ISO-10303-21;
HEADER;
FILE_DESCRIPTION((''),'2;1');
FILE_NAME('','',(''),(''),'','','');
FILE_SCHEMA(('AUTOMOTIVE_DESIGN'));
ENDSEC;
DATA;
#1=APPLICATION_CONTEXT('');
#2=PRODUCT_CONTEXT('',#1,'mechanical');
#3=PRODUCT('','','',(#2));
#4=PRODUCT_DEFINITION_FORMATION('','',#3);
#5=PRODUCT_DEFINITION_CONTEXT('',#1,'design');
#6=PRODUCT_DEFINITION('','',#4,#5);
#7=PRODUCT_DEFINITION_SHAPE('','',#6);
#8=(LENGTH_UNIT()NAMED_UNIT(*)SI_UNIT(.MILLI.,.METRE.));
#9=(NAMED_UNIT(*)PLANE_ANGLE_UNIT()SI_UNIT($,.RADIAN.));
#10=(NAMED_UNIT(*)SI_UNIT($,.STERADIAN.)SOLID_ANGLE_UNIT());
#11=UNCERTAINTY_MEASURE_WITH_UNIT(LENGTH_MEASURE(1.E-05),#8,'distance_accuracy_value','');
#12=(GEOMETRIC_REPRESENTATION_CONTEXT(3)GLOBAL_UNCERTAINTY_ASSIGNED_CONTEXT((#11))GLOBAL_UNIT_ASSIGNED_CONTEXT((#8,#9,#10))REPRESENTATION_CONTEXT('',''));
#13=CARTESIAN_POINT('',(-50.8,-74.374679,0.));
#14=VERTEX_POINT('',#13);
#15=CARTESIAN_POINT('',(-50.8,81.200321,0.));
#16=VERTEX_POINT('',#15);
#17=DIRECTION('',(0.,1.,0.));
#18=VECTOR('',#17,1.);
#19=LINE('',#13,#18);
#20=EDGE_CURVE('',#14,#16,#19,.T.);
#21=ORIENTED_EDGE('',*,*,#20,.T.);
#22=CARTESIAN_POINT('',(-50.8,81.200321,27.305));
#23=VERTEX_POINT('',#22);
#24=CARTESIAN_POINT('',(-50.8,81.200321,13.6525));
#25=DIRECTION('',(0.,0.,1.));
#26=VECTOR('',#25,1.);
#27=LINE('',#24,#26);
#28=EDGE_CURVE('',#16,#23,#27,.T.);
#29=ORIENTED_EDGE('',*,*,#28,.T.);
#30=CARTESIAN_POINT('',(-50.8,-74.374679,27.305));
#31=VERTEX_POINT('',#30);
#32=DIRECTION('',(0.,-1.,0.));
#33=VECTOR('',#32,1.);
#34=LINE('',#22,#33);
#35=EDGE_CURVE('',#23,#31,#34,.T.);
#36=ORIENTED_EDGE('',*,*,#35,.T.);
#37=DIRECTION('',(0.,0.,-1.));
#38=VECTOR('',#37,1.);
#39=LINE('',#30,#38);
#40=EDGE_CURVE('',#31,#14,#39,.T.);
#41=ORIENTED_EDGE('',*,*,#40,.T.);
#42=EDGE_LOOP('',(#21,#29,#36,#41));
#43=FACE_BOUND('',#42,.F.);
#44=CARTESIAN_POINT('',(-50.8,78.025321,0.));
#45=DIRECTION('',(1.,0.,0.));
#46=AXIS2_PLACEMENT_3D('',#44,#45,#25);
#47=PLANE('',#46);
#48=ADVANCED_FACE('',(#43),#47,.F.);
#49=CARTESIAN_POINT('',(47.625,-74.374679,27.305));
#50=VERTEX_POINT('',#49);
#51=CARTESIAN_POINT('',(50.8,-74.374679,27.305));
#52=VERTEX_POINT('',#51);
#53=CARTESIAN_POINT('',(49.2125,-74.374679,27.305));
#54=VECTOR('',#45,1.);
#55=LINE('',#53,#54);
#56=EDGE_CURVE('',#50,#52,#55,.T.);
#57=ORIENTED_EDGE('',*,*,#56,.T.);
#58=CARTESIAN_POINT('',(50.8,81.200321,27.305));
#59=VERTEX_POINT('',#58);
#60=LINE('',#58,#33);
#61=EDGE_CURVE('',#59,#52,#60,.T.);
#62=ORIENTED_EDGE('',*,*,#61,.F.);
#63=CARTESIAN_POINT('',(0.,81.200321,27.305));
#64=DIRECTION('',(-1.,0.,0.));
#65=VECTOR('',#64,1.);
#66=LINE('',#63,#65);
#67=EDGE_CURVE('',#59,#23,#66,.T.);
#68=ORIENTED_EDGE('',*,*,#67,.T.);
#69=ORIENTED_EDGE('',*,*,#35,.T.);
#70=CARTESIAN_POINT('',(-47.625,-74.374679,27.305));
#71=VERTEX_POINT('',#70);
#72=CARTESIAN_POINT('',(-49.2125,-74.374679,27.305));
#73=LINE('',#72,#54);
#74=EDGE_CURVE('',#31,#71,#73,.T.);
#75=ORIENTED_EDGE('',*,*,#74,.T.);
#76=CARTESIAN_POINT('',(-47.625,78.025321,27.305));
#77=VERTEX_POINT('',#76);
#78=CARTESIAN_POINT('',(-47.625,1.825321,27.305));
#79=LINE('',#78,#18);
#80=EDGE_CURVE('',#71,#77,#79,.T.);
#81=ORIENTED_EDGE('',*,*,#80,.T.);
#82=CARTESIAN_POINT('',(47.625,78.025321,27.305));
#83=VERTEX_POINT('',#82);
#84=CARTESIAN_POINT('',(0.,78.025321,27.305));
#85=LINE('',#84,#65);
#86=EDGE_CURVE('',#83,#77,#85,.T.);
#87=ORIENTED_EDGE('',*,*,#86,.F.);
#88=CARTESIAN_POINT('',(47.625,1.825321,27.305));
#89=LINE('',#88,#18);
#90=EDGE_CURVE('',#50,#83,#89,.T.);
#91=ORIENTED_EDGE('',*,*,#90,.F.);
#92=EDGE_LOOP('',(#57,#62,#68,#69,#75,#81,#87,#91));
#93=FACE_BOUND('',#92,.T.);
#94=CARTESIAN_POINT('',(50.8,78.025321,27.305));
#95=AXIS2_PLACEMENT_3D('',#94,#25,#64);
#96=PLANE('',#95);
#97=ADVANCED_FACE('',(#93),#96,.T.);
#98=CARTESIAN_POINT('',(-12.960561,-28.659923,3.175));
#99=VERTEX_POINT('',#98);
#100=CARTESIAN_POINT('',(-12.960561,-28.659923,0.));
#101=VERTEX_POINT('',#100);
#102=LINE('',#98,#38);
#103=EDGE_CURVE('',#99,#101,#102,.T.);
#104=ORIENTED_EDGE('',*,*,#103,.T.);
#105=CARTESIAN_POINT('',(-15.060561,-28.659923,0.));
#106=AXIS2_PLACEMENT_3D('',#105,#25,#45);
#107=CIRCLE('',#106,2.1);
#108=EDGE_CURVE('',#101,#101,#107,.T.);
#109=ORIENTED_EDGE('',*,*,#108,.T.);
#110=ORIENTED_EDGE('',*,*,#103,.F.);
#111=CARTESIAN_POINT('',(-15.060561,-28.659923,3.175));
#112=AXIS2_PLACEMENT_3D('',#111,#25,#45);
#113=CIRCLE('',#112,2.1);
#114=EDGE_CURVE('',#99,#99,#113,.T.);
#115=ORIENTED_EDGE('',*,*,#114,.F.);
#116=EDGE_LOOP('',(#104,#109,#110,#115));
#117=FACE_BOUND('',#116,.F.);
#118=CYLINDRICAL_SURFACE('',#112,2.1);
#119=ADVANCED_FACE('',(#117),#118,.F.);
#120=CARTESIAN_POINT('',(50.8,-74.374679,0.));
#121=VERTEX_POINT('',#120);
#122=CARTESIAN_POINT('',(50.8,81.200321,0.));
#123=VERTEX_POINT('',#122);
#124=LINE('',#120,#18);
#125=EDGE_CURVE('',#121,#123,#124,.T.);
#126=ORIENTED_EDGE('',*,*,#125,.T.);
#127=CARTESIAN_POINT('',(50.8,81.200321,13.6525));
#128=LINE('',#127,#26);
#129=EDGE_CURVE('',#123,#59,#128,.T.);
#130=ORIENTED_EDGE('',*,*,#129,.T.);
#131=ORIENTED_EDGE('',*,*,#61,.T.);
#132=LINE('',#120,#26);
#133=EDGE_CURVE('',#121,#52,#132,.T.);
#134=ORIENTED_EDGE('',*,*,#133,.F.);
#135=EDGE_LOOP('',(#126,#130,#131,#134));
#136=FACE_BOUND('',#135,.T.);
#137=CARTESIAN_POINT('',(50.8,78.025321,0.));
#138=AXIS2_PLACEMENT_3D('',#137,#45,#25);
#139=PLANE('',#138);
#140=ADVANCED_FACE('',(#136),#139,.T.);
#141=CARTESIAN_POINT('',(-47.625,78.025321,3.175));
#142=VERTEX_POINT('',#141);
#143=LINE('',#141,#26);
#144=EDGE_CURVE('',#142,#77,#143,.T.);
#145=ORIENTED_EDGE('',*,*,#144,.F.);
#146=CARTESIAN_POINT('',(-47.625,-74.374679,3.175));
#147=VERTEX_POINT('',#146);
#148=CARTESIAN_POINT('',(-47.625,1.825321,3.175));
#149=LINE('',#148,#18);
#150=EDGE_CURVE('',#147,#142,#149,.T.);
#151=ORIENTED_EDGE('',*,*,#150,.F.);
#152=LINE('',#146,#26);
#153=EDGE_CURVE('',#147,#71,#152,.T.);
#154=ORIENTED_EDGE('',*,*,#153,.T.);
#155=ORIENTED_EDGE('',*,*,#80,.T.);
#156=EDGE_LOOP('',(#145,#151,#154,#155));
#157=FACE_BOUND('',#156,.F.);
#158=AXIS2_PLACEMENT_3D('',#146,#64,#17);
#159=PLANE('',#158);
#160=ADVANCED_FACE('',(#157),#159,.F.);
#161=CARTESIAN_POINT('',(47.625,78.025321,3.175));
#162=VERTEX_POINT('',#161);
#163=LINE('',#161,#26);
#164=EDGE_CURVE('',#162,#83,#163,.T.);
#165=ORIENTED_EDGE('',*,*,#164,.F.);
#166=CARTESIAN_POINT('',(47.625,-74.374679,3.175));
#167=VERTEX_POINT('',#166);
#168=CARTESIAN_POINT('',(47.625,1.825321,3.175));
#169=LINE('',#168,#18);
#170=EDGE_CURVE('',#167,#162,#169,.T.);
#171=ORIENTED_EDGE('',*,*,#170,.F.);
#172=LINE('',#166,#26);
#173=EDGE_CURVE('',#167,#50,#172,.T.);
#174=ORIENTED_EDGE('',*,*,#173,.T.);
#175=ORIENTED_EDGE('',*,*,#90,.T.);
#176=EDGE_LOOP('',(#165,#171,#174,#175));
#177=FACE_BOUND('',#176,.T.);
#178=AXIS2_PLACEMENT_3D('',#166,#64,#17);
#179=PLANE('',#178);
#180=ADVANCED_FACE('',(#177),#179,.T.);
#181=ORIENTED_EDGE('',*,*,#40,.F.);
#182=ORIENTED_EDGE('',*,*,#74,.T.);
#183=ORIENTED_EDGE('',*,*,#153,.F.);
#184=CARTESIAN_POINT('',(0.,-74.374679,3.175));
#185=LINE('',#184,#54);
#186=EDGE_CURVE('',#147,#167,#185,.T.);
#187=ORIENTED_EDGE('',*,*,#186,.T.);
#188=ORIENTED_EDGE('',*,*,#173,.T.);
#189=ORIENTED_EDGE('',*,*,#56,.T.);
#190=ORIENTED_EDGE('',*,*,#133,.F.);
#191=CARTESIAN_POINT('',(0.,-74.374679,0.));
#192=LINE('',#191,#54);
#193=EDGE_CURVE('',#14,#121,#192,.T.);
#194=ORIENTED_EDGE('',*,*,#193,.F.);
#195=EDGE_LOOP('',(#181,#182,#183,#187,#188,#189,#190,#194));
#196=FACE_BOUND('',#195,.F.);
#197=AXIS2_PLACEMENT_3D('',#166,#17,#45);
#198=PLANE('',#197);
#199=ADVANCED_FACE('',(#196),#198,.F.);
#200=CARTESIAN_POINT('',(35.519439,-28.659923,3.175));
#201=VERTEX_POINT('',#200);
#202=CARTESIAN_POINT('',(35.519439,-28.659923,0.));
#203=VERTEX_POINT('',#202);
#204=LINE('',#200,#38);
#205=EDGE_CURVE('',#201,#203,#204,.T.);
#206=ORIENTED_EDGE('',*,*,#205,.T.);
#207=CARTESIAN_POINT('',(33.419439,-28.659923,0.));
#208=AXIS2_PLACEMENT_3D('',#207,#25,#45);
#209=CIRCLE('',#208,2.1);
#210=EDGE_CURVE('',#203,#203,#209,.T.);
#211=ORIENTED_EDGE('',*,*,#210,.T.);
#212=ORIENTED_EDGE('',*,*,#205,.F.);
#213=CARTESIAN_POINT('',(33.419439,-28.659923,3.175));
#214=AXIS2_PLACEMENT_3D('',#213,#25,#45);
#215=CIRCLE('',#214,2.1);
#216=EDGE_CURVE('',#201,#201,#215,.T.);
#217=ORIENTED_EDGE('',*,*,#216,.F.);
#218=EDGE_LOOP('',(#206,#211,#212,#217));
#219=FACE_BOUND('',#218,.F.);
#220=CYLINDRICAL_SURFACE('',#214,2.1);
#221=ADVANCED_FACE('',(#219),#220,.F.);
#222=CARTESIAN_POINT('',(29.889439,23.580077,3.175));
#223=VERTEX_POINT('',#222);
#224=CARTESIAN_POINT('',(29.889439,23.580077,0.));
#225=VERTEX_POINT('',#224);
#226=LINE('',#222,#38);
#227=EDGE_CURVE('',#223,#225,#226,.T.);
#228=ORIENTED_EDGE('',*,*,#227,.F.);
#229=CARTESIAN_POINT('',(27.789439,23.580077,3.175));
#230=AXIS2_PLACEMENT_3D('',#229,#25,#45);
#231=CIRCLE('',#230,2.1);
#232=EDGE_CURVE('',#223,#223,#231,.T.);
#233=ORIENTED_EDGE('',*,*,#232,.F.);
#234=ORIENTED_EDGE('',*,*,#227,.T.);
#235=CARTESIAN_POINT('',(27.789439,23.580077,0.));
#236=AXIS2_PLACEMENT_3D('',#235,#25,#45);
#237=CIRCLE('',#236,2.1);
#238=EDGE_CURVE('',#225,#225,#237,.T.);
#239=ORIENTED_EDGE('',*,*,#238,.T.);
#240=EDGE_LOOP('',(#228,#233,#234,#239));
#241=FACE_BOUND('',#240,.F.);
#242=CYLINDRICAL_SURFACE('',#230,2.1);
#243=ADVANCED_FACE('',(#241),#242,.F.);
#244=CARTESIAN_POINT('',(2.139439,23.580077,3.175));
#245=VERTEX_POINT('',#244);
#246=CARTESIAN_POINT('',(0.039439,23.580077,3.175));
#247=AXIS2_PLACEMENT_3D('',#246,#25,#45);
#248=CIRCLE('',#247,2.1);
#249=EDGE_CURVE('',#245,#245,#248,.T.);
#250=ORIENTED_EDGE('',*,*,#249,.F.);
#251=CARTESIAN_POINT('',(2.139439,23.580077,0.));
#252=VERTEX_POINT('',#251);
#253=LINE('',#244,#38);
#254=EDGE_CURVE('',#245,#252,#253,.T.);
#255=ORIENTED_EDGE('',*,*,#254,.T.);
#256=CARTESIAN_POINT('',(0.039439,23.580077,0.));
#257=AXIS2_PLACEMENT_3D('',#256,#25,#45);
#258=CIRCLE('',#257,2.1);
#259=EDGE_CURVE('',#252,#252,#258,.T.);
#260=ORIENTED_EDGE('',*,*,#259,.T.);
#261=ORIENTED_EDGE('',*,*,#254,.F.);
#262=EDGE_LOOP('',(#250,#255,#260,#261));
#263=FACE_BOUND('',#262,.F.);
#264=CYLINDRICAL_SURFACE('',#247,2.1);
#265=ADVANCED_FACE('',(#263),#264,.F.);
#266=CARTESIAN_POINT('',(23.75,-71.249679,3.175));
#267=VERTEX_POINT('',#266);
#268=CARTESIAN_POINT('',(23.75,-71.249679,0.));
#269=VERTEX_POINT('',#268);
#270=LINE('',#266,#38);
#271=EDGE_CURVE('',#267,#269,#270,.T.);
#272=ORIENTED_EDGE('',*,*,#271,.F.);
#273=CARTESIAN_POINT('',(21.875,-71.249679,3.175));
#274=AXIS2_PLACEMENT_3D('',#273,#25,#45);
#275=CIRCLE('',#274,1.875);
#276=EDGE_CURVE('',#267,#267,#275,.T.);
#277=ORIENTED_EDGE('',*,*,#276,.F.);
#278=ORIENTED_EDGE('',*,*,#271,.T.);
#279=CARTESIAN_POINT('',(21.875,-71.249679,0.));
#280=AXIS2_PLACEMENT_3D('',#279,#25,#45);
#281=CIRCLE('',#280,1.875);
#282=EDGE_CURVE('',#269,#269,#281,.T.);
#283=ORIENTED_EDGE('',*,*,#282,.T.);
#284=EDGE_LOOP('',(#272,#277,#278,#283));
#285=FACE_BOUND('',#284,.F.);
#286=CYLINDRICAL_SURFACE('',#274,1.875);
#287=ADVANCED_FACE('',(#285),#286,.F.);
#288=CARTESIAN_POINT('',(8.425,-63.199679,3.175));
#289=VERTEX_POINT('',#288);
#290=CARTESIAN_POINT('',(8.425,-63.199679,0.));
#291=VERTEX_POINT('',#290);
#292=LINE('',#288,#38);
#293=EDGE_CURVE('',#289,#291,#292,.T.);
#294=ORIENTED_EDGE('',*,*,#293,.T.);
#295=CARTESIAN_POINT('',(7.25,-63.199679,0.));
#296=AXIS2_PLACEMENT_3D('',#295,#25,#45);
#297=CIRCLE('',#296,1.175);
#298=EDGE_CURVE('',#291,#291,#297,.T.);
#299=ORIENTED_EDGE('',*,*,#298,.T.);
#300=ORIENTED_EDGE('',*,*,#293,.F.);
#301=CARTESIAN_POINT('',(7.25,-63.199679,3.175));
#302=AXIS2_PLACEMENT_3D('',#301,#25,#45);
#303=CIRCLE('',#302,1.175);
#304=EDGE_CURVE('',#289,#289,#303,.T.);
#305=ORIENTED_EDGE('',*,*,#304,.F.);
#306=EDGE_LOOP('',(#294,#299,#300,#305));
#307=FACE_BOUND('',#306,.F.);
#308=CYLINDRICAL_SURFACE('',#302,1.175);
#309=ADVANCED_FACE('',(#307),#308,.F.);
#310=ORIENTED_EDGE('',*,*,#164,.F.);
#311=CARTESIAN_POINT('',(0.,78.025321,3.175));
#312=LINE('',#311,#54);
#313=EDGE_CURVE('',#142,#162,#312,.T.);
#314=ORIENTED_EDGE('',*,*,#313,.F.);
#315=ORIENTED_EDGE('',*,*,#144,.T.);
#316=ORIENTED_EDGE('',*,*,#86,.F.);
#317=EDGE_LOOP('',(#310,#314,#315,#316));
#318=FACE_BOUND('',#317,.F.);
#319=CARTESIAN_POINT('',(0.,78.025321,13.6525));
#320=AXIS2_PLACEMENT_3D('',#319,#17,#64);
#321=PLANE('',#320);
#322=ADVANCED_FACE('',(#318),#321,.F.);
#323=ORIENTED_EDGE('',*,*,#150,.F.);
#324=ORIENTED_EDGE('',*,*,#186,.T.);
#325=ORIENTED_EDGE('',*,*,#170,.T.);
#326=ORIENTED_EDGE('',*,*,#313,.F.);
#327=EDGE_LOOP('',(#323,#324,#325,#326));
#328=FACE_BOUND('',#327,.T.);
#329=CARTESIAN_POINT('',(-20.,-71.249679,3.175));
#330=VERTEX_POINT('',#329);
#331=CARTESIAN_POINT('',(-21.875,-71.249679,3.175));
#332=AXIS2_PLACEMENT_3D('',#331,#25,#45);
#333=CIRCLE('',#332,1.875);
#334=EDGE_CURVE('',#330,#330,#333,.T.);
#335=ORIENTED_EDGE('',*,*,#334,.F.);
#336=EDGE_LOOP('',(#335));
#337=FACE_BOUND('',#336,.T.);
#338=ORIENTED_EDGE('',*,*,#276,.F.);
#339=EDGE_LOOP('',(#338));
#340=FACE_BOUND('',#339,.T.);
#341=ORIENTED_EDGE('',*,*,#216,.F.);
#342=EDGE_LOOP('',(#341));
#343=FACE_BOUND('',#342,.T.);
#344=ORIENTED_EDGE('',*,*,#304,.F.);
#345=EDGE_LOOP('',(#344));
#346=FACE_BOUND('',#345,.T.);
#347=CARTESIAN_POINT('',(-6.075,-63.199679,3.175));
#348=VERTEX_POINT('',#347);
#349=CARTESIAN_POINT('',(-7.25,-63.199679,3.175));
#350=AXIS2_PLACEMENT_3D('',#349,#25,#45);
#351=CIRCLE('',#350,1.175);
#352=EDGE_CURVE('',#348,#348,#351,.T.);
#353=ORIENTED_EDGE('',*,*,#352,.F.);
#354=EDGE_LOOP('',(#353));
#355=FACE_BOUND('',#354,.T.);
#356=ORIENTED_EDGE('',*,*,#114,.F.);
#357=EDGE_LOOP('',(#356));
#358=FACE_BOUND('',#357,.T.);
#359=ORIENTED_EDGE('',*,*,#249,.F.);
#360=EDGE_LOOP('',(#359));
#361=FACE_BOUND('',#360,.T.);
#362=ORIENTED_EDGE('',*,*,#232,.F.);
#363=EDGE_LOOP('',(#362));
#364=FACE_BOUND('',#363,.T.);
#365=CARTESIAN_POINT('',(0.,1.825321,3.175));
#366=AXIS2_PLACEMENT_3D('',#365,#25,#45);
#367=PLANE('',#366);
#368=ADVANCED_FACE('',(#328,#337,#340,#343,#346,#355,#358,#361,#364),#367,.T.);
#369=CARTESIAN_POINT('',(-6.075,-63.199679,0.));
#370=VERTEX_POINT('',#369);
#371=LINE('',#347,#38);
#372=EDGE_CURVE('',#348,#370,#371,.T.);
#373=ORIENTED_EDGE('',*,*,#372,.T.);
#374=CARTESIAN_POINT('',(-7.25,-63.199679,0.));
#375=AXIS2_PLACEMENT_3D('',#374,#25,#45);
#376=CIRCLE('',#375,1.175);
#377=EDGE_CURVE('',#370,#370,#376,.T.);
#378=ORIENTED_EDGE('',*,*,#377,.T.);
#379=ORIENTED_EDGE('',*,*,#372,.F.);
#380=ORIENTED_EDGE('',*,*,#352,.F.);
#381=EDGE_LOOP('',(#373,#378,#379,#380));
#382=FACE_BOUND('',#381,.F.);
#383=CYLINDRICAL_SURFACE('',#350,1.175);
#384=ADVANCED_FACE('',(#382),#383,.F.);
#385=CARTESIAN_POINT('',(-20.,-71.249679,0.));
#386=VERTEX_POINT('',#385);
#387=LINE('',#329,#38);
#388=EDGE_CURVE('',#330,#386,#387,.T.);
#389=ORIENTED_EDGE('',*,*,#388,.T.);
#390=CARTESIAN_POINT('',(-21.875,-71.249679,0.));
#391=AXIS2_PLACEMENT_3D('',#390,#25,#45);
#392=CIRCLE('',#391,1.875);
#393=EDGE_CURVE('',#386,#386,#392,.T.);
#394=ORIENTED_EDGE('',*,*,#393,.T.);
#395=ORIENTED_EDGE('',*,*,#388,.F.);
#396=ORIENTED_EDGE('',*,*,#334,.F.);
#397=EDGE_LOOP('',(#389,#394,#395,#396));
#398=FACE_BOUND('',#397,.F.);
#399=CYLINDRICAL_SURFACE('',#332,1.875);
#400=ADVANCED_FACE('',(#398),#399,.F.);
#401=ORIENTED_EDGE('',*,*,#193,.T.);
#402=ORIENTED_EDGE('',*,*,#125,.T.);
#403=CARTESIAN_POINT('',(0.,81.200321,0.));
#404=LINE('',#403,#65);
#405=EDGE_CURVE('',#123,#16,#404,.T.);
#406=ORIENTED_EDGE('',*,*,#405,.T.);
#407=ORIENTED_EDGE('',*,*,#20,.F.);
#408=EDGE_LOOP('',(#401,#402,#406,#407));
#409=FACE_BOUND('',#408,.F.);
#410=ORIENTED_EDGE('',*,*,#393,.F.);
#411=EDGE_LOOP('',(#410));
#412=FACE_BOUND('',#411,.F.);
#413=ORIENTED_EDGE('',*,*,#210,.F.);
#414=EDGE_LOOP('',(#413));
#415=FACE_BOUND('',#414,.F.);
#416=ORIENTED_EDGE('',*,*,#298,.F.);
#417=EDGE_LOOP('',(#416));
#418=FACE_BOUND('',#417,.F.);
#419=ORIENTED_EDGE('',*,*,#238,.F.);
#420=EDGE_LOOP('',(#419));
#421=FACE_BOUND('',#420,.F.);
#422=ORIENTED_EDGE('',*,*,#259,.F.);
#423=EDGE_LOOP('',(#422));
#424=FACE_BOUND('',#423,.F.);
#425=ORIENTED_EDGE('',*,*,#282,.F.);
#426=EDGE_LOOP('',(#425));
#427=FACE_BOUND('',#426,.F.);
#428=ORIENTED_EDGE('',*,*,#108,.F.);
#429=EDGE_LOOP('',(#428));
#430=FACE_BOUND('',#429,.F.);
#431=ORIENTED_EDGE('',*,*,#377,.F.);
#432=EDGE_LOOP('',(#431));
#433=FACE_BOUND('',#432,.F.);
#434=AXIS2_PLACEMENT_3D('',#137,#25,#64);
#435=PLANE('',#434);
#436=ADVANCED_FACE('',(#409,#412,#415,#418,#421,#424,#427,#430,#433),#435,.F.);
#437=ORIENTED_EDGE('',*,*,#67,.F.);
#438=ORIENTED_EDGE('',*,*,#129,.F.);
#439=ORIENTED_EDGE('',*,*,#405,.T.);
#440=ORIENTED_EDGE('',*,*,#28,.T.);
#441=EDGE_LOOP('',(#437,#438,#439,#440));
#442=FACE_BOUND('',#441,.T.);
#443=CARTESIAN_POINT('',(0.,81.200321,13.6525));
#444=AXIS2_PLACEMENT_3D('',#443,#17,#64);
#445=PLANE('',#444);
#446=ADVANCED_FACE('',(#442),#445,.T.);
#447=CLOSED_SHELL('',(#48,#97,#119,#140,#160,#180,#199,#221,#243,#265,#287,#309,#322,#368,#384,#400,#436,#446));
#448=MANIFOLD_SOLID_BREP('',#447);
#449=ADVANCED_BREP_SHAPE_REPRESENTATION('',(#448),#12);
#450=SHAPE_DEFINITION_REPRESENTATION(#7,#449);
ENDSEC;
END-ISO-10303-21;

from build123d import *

# Parameters (mm, degrees)
F0_W     = 101.6
F0_H     = 152.4
F1_DEPTH = 3.175
F2_W     = 3.175
F2_H     = 152.4
F3_DEPTH = 24.13
F4_W     = 101.6
F4_H     = 27.305
F5_DEPTH = 3.175
F6_R     = 1.875
F6_R_2   = 1.175
F6_R_3   = 2.1
F6_R_4   = 1.625
F7_DEPTH = 3.175


with BuildPart() as f1:
    # F0 (on Top) → F1 (new body)
    with BuildSketch(Plane.XY):
        with Locations((0, 1.825321)):
            Rectangle(F0_W, F0_H)
    extrude(amount=F1_DEPTH)

    # F2 (on face) → F3 (join)
    with BuildSketch(Plane.XY.offset(3.175)):
        with Locations((49.2125, 1.825321)):
            Rectangle(F2_W, F2_H)
        with Locations((-49.2125, 1.825321)):
            Rectangle(F2_W, F2_H)
    extrude(amount=F3_DEPTH)

    # F4 (on face) → F5 (join)
    with BuildSketch(Plane(origin=(0, 78.025321, 0), x_dir=(-1, 0, 0), z_dir=(0, 1, 0))):
        with Locations((0, 13.6525)):
            Rectangle(F4_W, F4_H)
    extrude(amount=F5_DEPTH)

    # F6 (on face) → F7 (cut, through all)
    with BuildSketch(Plane.XY.offset(3.175)):
        with Locations((-21.875, -71.249679)):
            Circle(F6_R)
        with Locations((21.875, -71.249679)):
            Circle(F6_R)
        with Locations((-7.25, -63.199679)):
            Circle(F6_R_2)
        with Locations((7.25, -63.199679)):
            Circle(F6_R_2)
        with Locations((-15.060561, -28.659923)):
            Circle(F6_R_3)
        with Locations((-15.060561, -28.659923)):
            Circle(F6_R_4, mode=Mode.SUBTRACT)
        with Locations((27.789439, 23.580077)):
            Circle(F6_R_3)
        with Locations((27.789439, 23.580077)):
            Circle(F6_R_4, mode=Mode.SUBTRACT)
        with Locations((0.039439, 23.580077)):
            Circle(F6_R_3)
        with Locations((0.039439, 23.580077)):
            Circle(F6_R_4, mode=Mode.SUBTRACT)
        with Locations((33.419439, -28.659923)):
            Circle(F6_R_3)
        with Locations((33.419439, -28.659923)):
            Circle(F6_R_4, mode=Mode.SUBTRACT)
        with Locations((27.789439, 23.580077)):
            Circle(F6_R_4)
        with Locations((33.419439, -28.659923)):
            Circle(F6_R_4)
        with Locations((-15.060561, -28.659923)):
            Circle(F6_R_4)
        with Locations((0.039439, 23.580077)):
            Circle(F6_R_4)
    extrude(amount=-F7_DEPTH, mode=Mode.SUBTRACT)


solid = f1.part
